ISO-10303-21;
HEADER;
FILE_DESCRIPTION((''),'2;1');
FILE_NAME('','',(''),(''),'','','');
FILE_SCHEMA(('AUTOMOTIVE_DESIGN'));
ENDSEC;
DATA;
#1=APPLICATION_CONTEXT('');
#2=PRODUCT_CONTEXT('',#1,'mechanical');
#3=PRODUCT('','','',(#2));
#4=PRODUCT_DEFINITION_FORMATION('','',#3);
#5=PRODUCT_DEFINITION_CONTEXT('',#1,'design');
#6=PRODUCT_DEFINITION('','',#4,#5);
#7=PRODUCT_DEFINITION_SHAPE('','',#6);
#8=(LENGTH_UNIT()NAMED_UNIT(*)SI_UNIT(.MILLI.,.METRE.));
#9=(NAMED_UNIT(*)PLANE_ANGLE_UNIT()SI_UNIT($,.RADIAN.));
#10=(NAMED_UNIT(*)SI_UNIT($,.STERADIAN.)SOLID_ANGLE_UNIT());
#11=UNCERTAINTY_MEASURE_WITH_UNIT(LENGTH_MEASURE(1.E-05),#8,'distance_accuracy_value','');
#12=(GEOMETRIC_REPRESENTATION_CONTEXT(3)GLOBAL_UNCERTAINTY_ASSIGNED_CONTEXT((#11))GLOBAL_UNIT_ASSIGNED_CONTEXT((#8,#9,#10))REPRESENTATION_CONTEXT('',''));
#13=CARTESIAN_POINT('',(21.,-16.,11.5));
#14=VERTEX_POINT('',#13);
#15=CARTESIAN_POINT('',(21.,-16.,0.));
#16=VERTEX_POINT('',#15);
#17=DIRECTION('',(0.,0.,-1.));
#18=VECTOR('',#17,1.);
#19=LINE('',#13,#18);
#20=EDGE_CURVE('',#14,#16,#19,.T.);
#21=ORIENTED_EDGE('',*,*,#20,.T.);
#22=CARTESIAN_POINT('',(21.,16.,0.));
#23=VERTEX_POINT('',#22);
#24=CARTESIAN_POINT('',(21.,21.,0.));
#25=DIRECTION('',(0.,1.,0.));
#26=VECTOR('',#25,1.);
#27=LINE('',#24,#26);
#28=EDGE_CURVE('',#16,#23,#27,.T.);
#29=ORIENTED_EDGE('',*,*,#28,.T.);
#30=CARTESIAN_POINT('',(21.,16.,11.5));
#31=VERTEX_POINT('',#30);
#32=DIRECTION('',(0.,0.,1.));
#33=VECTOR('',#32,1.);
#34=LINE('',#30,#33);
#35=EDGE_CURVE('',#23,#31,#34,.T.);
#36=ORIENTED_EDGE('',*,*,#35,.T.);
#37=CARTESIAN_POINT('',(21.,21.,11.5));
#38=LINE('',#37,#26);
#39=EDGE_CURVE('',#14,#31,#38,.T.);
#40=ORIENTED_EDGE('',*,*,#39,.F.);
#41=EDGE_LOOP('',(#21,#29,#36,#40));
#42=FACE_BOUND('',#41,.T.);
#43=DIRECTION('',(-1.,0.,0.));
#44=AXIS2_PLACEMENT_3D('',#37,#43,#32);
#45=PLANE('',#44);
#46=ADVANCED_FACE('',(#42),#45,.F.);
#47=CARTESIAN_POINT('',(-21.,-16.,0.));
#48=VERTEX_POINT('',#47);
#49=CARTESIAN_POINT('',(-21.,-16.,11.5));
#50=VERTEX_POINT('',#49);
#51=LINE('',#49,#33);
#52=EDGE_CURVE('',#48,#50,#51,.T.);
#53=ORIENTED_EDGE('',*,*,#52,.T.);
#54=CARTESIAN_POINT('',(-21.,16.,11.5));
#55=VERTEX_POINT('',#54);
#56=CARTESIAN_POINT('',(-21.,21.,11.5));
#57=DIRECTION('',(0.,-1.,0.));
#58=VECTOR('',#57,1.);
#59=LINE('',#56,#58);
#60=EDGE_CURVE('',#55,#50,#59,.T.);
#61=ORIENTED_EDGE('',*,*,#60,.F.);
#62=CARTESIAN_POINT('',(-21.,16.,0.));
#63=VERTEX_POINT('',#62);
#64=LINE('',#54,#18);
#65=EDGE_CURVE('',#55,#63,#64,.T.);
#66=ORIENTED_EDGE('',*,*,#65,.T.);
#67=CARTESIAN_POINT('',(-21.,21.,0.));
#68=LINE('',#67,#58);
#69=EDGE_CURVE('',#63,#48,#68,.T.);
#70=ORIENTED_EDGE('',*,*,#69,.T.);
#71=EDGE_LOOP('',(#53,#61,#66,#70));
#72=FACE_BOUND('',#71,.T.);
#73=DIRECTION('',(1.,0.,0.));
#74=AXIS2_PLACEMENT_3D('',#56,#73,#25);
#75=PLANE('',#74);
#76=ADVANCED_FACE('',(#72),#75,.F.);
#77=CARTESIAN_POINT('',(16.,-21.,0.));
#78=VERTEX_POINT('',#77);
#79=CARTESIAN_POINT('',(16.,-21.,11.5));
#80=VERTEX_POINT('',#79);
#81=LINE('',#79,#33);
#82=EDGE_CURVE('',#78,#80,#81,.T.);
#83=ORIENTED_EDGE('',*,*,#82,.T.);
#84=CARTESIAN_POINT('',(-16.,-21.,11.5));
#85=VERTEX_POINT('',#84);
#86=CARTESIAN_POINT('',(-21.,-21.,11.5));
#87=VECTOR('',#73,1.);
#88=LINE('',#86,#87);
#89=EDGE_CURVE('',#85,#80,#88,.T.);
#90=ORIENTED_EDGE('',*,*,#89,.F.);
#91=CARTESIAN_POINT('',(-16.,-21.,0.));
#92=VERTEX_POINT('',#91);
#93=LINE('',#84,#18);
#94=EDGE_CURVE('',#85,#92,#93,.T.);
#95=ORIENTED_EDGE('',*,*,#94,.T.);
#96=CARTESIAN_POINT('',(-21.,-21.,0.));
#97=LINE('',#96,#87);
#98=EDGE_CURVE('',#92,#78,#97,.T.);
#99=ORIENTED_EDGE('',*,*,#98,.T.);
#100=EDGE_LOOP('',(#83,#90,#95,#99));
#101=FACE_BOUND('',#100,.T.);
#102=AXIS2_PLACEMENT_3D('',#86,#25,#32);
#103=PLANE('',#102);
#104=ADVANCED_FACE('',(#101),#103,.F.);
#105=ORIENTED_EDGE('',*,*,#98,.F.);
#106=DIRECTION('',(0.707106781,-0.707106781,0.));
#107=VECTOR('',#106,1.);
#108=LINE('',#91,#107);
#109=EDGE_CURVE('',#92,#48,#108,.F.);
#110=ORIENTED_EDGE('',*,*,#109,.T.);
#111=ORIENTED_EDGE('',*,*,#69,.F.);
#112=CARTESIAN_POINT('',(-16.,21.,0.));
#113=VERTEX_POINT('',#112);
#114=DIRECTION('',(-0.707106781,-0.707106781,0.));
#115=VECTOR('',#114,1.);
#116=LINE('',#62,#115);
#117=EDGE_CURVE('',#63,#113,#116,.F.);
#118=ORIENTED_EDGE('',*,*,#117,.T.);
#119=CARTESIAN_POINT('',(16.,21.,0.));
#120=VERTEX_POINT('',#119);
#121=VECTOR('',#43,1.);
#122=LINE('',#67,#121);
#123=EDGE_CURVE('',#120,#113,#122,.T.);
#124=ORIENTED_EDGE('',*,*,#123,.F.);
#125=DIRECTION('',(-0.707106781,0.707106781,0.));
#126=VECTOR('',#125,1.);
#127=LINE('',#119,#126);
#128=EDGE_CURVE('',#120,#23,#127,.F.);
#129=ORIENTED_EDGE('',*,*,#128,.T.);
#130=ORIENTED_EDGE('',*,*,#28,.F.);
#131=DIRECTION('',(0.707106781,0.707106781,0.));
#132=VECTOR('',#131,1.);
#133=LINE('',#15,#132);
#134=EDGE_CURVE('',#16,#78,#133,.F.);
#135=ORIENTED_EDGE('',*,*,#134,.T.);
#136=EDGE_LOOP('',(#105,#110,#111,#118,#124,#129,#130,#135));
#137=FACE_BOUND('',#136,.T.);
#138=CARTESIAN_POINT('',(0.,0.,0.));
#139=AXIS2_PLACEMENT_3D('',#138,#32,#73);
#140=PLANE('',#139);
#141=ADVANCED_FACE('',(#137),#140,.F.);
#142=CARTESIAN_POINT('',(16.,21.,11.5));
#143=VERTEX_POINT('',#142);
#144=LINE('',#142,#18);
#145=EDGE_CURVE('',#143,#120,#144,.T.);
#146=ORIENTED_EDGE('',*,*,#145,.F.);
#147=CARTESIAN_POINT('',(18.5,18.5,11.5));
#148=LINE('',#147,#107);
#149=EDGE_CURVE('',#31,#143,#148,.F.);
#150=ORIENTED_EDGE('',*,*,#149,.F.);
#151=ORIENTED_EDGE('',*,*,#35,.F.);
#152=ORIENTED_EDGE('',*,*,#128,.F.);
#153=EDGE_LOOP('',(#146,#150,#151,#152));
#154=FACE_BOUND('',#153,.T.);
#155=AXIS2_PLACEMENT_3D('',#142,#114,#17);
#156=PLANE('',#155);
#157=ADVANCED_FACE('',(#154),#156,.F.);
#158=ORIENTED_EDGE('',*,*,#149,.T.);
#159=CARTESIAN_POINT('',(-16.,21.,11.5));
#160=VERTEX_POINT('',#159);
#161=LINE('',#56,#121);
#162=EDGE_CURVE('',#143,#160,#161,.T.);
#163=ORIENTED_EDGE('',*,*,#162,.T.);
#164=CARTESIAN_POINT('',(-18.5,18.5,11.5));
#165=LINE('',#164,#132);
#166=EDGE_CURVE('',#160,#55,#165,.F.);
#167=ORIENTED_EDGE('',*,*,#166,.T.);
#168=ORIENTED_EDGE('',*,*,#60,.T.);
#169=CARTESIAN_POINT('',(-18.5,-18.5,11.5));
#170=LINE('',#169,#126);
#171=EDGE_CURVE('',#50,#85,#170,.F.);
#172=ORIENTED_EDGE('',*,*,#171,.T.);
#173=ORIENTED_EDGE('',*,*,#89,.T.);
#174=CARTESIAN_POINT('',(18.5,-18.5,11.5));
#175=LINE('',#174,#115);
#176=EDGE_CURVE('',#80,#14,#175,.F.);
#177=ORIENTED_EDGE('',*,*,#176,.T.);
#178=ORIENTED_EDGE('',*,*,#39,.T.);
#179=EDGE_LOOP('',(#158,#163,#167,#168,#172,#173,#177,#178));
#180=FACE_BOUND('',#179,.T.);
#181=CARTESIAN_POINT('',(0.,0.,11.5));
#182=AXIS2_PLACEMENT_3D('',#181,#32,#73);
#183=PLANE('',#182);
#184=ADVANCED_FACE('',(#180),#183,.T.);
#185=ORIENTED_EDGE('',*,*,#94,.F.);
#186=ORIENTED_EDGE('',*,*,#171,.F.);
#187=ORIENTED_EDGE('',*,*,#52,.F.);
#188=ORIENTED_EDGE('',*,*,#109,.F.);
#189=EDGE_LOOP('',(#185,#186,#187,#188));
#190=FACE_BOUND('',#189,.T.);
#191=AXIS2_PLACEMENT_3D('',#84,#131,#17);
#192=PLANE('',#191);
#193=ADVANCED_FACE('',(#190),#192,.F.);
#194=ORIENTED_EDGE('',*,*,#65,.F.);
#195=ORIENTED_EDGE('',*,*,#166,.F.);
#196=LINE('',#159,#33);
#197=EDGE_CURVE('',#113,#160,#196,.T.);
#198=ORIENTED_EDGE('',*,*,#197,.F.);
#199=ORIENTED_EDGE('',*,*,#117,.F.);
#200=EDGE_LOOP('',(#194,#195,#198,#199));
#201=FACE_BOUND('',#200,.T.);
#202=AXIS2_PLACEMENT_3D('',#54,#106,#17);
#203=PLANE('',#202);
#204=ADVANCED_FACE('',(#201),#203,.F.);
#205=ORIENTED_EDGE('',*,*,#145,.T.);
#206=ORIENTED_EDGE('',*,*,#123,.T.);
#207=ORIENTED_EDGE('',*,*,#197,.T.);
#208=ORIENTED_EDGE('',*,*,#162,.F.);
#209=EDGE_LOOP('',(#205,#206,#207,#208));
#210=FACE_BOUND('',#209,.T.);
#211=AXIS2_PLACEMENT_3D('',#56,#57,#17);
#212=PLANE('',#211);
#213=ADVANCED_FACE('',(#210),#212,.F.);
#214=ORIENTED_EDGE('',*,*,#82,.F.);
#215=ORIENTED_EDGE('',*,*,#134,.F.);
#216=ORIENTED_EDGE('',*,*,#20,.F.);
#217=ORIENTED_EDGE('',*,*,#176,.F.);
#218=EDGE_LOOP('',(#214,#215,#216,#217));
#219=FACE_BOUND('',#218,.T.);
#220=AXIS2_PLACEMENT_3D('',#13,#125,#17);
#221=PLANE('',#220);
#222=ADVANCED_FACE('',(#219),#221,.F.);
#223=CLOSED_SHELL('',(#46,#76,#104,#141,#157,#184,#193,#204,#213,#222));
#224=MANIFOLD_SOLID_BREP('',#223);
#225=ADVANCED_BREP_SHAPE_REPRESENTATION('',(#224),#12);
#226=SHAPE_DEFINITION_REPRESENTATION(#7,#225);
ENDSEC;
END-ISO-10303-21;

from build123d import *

# Parameters (mm, degrees)
SKETCH1_W           = 42
SKETCH1_H           = 42
BOSS_EXTRUDE1_DEPTH = 11.5
CHAMFER1_SIZE       = 5


with BuildPart() as part:
    # Sketch1 → Boss-Extrude1 (new body)
    with BuildSketch(Plane.XY):
        Rectangle(SKETCH1_W, SKETCH1_H)
    extrude(amount=BOSS_EXTRUDE1_DEPTH)

    # Chamfer1
    chamfer1_edges = [part.edges().sort_by_distance(p)[0] for p in [
        (21, -21, 5.75),
        (-21, -21, 5.75),
        (-21, 21, 5.75),
        (21, 21, 5.75),
    ]]
    chamfer(chamfer1_edges, length=CHAMFER1_SIZE)


solid = part.part
